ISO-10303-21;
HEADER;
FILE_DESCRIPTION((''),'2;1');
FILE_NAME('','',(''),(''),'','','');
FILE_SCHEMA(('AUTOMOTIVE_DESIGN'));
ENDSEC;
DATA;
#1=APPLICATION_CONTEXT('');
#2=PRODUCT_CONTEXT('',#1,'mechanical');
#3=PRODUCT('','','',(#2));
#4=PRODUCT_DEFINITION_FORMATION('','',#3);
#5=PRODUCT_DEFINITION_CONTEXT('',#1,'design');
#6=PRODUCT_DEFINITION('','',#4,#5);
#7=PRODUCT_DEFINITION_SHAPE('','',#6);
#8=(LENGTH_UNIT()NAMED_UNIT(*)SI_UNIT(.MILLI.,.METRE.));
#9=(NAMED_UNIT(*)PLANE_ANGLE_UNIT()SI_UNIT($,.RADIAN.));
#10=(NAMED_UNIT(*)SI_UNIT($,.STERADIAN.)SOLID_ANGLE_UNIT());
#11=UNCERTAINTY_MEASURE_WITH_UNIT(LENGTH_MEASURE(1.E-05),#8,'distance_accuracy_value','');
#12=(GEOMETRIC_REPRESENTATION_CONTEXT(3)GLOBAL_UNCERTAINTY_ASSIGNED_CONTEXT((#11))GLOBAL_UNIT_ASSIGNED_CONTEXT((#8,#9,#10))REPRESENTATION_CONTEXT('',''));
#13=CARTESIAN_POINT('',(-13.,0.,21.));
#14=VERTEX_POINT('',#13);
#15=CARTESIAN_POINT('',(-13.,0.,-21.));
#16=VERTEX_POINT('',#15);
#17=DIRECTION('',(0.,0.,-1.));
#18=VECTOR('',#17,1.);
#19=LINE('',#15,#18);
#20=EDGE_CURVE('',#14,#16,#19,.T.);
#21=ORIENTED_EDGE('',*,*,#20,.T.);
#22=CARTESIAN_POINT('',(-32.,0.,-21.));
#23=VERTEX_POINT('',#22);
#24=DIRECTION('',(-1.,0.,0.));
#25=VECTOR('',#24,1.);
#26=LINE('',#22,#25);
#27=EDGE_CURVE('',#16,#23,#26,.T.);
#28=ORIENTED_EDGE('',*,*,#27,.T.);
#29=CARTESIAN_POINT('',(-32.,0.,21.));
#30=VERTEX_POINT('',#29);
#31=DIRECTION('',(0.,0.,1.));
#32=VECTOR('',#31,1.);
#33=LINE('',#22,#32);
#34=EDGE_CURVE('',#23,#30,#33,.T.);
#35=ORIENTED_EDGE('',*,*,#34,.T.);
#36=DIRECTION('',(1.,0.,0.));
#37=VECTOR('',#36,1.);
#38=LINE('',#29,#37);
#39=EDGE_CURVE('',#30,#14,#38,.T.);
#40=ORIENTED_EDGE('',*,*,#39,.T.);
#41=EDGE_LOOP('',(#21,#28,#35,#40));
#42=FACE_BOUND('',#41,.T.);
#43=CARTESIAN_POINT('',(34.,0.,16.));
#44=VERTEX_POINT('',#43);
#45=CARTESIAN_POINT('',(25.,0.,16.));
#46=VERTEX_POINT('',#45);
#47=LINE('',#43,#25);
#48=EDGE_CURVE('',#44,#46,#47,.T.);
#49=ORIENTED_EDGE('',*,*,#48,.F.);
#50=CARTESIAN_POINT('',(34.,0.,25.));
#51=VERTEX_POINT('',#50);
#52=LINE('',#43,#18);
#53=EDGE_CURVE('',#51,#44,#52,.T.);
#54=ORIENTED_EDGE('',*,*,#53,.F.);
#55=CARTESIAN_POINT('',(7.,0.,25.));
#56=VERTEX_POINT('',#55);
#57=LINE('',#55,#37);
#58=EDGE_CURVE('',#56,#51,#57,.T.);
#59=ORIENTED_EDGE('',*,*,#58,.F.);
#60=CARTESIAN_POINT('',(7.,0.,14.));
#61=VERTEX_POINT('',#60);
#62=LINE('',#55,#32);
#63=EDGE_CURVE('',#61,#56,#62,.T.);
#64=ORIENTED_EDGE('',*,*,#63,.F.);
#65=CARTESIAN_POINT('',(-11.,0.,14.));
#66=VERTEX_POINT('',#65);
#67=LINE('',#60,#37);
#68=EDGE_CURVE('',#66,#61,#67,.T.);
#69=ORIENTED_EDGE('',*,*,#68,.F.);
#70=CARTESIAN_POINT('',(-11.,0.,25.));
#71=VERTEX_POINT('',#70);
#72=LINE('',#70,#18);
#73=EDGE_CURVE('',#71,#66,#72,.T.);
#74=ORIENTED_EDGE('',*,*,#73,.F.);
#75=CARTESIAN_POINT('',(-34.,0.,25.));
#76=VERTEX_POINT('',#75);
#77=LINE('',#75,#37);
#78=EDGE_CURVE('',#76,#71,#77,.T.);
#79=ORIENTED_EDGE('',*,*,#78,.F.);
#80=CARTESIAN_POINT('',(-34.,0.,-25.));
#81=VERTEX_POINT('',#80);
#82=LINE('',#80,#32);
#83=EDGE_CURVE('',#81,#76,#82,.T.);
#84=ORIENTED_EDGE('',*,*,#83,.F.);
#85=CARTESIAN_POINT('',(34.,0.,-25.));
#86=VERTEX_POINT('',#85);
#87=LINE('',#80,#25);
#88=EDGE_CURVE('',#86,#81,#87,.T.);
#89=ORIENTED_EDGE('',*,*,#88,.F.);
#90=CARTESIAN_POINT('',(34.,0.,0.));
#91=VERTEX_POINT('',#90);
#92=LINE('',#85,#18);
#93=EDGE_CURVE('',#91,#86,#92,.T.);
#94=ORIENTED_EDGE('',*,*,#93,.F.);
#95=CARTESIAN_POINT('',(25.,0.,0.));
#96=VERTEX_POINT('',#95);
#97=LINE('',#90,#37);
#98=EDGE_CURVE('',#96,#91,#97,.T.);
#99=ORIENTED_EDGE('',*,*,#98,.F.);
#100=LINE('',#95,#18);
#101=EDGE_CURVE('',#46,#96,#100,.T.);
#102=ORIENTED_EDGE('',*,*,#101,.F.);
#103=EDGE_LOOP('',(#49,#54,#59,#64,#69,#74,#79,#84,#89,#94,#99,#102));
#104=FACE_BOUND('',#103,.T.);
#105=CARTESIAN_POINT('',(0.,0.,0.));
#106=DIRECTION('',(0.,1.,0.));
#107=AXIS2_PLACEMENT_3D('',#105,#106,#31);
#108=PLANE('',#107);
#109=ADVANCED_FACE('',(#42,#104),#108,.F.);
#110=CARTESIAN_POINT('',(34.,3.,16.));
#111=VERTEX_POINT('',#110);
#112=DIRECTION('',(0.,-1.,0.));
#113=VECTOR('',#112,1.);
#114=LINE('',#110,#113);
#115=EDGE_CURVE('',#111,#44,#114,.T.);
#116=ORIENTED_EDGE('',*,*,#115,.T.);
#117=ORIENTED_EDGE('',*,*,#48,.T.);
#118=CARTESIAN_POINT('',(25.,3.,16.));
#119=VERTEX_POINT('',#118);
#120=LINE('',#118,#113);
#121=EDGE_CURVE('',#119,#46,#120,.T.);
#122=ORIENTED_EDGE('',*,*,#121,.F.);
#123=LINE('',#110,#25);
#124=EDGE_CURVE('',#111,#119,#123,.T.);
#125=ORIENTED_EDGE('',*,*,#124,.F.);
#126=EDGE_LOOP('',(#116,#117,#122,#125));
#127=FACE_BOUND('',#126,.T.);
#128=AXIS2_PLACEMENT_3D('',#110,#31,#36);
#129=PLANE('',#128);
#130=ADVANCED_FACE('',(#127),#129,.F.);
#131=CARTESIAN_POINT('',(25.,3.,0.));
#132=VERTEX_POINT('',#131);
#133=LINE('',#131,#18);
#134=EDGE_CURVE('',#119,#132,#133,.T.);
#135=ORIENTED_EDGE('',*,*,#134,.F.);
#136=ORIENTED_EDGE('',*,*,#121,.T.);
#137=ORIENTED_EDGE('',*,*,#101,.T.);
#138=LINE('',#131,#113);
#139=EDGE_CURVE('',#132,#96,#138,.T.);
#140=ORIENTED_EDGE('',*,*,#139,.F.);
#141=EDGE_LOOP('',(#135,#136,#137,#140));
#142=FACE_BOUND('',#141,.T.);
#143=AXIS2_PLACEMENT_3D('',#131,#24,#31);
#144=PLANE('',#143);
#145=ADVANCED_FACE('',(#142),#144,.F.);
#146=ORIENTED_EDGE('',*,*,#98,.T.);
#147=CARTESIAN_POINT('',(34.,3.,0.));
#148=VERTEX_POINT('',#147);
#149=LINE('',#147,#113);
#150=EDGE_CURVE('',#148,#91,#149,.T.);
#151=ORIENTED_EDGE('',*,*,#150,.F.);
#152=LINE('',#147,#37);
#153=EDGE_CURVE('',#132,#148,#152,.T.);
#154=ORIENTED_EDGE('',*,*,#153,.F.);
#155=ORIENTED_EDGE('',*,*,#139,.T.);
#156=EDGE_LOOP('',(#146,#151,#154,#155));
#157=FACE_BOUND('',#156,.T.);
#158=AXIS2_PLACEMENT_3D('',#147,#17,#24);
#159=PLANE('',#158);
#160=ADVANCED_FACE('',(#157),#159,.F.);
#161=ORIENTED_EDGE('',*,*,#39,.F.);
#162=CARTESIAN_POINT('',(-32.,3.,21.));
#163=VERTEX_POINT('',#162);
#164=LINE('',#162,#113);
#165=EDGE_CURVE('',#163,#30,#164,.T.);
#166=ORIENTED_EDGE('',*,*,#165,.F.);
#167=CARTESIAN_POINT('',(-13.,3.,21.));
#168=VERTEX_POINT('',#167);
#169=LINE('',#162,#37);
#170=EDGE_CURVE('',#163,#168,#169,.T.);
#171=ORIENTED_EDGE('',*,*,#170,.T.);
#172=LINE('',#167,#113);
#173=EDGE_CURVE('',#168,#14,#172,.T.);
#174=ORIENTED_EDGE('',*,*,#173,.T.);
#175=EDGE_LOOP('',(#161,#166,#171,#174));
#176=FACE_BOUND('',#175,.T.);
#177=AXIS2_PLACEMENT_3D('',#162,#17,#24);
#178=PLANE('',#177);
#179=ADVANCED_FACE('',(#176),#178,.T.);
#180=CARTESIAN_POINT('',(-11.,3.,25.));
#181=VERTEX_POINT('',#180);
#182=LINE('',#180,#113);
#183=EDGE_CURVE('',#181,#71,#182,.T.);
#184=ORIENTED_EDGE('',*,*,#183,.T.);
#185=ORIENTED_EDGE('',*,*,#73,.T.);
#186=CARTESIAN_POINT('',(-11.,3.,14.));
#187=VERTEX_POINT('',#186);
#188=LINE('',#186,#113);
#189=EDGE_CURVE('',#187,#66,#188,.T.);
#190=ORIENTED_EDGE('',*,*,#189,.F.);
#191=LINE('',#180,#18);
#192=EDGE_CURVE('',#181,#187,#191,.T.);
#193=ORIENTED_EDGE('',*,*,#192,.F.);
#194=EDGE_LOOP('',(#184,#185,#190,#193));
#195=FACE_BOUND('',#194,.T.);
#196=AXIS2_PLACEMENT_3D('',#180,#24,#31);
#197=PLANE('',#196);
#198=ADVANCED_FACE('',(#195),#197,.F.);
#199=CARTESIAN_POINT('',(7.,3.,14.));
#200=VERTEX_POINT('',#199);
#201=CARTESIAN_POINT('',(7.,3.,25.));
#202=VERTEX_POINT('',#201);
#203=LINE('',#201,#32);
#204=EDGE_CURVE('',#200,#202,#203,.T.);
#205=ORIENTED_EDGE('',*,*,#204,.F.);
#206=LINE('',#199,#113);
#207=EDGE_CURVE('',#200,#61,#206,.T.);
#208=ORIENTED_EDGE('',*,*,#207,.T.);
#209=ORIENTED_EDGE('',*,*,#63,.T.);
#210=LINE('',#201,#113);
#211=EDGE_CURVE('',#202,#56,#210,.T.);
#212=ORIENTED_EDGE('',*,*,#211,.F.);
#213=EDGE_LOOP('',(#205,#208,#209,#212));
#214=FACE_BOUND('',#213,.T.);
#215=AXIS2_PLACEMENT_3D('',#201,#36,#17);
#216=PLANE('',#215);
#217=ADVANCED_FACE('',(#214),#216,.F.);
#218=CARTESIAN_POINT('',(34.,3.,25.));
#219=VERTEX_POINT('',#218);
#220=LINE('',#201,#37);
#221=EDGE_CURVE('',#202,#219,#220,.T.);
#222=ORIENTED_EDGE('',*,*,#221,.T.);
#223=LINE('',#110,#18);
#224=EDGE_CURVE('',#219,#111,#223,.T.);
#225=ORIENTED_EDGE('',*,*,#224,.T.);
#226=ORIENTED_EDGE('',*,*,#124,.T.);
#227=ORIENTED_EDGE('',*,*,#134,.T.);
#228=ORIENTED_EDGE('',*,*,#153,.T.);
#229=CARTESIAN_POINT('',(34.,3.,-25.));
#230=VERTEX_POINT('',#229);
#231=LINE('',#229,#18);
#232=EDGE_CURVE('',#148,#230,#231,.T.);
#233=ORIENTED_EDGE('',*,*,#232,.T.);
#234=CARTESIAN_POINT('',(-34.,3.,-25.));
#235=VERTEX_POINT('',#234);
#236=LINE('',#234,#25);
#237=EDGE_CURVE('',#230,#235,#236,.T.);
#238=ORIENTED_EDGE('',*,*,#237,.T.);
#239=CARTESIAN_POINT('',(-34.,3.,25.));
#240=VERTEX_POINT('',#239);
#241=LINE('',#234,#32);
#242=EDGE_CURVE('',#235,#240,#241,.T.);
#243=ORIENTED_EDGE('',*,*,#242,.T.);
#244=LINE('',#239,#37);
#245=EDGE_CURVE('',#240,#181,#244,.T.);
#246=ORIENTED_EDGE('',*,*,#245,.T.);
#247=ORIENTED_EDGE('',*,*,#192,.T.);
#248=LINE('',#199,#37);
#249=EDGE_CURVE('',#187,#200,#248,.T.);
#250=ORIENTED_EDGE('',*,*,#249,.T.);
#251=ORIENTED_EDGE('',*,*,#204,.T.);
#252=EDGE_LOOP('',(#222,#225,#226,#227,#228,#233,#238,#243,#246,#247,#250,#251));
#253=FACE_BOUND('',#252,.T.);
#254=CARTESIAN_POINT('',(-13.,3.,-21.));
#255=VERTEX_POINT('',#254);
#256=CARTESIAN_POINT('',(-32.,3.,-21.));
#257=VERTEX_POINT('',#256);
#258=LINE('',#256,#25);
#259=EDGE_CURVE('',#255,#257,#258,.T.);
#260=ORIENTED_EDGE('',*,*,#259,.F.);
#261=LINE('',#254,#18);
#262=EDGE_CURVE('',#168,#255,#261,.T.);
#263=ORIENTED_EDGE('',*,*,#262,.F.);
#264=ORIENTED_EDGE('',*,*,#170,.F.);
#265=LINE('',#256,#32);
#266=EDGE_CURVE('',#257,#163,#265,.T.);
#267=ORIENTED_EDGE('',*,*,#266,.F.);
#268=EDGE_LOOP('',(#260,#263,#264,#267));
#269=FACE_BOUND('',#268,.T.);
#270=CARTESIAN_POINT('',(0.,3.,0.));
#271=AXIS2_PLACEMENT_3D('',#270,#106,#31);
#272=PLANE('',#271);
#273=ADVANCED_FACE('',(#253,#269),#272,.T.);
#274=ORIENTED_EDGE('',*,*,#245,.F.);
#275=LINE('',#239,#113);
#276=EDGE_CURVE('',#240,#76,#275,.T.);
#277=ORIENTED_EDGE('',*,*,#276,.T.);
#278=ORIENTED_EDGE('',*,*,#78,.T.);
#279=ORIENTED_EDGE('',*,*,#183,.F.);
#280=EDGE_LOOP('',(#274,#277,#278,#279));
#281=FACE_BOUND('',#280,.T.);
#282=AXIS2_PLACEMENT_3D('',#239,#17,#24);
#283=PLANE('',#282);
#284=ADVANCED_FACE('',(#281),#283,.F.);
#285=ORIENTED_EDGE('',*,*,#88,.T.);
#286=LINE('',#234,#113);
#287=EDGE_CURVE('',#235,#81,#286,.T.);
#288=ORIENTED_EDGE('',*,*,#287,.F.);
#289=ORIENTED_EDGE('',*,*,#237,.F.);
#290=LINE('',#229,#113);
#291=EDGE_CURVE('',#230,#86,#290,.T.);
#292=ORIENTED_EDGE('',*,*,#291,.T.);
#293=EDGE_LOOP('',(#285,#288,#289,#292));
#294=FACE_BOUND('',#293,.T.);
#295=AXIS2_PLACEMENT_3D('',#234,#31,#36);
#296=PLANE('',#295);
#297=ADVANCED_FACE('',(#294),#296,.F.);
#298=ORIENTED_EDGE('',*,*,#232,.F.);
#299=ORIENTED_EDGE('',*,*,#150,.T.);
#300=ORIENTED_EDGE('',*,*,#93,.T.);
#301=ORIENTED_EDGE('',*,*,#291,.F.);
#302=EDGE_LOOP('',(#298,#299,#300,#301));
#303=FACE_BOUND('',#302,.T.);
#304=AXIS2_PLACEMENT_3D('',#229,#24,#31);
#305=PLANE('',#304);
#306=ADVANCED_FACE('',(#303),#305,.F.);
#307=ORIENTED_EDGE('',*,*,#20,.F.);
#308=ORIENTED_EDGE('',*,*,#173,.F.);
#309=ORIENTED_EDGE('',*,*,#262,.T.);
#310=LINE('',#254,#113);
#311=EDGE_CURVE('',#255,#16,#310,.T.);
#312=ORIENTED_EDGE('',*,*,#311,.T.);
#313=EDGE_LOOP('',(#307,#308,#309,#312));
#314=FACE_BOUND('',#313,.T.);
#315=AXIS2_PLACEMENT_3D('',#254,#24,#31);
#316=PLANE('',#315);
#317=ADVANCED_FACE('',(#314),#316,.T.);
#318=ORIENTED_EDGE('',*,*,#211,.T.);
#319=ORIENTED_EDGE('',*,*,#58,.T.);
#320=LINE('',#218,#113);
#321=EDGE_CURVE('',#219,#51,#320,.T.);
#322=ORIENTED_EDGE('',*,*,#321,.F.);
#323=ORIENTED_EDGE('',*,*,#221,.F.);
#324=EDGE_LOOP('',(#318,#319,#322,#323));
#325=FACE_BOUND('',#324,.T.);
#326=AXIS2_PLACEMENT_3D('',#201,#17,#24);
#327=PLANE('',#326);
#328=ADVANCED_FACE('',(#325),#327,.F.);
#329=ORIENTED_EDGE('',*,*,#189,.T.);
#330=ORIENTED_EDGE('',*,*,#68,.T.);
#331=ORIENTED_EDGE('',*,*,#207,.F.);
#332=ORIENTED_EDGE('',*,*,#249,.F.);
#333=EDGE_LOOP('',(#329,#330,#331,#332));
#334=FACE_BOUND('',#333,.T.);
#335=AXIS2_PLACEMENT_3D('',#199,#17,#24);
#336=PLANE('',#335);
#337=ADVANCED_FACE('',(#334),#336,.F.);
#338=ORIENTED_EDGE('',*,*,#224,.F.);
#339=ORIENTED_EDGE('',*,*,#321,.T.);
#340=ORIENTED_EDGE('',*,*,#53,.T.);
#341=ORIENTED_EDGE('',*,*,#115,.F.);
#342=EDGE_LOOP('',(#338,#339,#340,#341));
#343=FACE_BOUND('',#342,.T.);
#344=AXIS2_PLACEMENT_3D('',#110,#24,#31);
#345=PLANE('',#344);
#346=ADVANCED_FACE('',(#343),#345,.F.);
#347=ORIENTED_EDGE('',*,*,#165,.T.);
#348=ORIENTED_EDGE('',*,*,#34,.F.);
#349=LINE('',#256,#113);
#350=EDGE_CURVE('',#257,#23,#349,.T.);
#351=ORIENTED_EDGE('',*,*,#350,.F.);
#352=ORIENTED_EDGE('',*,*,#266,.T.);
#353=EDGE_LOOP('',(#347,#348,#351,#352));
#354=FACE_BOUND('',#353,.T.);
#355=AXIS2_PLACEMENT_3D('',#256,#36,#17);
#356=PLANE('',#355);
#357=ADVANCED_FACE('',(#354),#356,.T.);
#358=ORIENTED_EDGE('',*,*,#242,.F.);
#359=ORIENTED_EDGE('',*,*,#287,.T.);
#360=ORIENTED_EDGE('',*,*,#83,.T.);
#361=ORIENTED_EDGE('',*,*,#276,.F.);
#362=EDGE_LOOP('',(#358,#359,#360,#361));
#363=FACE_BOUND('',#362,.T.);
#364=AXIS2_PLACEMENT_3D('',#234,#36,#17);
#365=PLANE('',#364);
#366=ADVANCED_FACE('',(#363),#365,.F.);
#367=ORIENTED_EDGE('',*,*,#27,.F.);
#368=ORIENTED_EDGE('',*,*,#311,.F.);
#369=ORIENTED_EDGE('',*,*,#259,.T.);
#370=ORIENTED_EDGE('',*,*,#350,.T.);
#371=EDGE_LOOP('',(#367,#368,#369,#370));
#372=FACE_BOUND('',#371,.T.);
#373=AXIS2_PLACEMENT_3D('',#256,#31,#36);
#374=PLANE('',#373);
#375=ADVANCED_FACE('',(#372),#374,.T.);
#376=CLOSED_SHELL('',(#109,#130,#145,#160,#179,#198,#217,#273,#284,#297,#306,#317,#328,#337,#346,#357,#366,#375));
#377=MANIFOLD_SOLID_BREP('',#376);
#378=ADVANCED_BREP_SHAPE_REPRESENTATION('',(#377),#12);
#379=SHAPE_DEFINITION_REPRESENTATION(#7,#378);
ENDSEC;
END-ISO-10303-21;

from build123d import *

# Parameters (mm, degrees)
SKETCH1_W           = 19
SKETCH1_H           = 42
BOSS_EXTRUDE1_DEPTH = 3


with BuildPart() as part:
    # Sketch1 → Boss-Extrude1 (new body)
    with BuildSketch(Plane(origin=(0, 0, 0), x_dir=(1, 0, 0), z_dir=(0, 1, 0))):
        Polygon((-34, -25), (-11, -25), (-11, -14), (7, -14), (7, -25), (34, -25), (34, -16), (25, -16), (25, 0), (34, 0), (34, 25), (-34, 25), align=None)
        with Locations((-22.5, 0)):
            Rectangle(SKETCH1_W, SKETCH1_H, mode=Mode.SUBTRACT)
    extrude(amount=BOSS_EXTRUDE1_DEPTH)


solid = part.part
